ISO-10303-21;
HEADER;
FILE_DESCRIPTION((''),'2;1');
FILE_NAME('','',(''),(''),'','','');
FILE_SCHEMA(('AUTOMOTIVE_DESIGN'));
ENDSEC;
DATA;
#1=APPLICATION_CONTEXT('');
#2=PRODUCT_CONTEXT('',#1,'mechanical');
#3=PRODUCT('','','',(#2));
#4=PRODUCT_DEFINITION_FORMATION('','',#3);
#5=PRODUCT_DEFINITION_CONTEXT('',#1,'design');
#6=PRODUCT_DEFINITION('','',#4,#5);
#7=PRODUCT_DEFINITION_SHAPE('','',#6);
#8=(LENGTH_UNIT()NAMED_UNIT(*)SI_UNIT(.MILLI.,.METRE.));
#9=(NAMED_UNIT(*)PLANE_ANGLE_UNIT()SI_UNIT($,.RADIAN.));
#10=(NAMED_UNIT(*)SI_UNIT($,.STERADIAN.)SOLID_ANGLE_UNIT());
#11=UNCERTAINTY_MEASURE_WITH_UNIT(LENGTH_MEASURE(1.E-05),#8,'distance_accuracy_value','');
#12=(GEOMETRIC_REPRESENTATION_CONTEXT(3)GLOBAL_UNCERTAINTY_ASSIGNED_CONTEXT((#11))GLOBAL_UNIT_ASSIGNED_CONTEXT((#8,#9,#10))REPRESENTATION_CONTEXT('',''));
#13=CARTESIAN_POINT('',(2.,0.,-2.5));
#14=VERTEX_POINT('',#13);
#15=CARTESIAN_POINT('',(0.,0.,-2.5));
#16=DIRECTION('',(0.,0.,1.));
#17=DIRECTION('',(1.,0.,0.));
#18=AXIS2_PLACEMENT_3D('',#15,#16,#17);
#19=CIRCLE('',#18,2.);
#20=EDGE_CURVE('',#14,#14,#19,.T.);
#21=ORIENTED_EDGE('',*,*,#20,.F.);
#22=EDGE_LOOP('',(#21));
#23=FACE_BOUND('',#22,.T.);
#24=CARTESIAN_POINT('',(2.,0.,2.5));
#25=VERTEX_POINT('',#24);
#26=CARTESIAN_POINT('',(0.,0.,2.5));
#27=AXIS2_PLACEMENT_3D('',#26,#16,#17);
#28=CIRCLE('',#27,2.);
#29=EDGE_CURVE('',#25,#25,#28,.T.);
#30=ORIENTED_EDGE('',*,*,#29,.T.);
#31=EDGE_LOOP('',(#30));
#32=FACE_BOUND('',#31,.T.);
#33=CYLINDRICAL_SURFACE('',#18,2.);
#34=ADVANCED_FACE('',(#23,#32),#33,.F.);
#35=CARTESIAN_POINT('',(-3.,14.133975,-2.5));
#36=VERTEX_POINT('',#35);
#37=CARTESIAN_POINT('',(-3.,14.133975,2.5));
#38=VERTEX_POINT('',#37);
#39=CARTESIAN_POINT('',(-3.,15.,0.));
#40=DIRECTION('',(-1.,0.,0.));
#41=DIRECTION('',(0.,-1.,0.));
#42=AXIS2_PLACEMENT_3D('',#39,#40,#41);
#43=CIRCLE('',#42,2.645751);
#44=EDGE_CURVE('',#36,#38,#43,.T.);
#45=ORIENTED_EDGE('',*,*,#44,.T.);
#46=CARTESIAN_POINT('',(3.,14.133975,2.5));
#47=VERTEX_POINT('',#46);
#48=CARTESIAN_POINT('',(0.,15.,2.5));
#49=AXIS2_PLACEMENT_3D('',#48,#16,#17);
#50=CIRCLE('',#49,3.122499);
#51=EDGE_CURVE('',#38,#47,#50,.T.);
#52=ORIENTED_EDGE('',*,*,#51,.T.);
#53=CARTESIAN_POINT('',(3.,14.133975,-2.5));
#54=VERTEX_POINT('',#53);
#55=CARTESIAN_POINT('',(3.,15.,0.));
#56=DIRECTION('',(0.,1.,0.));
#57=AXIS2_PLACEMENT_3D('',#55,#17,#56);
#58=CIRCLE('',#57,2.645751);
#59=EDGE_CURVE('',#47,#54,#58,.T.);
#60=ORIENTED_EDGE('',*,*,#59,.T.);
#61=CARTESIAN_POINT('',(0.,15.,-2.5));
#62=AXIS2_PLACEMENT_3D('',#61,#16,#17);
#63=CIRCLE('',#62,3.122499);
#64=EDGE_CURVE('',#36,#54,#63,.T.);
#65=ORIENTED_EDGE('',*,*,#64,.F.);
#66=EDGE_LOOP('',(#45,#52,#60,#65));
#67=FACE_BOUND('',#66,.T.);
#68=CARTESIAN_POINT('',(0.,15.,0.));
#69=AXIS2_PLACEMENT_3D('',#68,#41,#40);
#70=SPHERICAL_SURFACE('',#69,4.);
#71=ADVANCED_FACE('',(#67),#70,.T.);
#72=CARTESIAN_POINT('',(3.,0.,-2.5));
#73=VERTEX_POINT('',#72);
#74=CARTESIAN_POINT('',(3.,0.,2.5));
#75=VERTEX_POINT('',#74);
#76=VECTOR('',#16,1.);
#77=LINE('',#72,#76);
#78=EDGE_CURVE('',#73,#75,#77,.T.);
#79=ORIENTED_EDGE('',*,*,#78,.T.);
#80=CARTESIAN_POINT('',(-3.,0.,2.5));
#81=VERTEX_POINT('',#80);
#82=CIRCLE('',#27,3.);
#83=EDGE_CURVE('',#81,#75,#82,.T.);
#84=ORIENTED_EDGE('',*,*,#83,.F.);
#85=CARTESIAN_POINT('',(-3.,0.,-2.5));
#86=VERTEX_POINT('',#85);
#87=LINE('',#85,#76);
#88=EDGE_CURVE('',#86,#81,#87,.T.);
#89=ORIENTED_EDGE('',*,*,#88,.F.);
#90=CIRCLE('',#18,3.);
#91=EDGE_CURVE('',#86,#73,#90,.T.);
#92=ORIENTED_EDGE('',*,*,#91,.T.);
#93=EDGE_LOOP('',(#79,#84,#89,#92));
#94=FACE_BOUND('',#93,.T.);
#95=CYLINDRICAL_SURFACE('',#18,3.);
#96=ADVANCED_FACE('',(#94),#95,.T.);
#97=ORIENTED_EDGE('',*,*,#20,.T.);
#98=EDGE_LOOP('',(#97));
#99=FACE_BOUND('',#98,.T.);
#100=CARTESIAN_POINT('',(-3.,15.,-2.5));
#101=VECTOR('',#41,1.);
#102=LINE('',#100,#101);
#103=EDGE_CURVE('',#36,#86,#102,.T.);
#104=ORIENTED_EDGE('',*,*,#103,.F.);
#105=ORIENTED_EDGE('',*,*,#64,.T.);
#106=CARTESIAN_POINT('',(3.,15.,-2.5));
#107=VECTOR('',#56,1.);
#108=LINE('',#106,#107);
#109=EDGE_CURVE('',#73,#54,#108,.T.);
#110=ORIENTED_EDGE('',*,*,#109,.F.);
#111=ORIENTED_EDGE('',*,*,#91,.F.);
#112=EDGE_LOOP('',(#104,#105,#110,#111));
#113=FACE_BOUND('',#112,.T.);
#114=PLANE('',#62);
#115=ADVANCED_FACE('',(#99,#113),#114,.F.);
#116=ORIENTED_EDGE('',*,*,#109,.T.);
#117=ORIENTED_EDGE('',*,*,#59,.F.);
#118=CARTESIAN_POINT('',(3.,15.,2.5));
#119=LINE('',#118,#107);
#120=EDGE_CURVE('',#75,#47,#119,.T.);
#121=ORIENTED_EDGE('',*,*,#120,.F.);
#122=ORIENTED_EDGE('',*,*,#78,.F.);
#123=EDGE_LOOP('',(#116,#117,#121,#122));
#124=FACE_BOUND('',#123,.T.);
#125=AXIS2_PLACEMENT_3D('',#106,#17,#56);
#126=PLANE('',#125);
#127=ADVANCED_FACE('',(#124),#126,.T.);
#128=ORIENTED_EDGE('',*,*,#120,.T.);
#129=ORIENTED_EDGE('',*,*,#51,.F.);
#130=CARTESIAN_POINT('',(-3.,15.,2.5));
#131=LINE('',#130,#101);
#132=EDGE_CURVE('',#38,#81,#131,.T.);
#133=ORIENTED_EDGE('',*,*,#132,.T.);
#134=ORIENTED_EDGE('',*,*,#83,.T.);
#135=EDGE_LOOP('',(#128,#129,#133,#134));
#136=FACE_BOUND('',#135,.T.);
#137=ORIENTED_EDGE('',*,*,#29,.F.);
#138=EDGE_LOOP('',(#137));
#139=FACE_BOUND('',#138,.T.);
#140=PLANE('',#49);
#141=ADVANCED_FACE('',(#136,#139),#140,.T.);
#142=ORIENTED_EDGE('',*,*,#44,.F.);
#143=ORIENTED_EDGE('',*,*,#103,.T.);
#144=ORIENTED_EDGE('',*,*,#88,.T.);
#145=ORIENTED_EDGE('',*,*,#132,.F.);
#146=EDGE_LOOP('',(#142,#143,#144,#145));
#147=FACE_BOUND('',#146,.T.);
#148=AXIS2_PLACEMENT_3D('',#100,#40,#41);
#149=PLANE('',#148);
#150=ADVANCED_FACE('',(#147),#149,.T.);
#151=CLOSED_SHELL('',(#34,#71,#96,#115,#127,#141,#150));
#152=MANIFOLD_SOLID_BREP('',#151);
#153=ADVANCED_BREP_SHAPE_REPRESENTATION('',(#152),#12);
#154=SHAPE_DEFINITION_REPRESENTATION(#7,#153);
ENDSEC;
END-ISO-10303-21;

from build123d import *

# Parameters (mm, degrees)
SALIENTE_EXTRUIR1_DEPTH      = 2.5
SALIENTE_EXTRUIR1_DEPTH_BACK = 2.5
CROQUIS1_R                   = 2


with BuildPart() as part:
    # Croquis1 → Saliente-Extruir1 (new, two sides: drawn at the far end of the back side and taken through both)
    with BuildSketch(Plane.XY.offset(-SALIENTE_EXTRUIR1_DEPTH_BACK)):
        with BuildLine():
            Line((3, 15), (3, 0))
            ThreePointArc((3, 0), (0, -3), (-3, 0))
            Line((-3, 0), (-3, 15))
            ThreePointArc((-3, 15), (0, 18), (3, 15))
        make_face()
        Circle(CROQUIS1_R, mode=Mode.SUBTRACT)
        with Locations((0, 15)):
            Circle(CROQUIS1_R, mode=Mode.SUBTRACT)
    extrude(amount=SALIENTE_EXTRUIR1_DEPTH + SALIENTE_EXTRUIR1_DEPTH_BACK)

    # Croquis2 → Revolución1 (revolve)
    with BuildSketch(Plane.XY):
        with BuildLine():
            Line((0, 11), (0, 19))
            ThreePointArc((0, 19), (4, 15), (0, 11))
        make_face()
    revolve(axis=Axis((0, 11, 0), (0, 1, 0)))


solid = part.part
